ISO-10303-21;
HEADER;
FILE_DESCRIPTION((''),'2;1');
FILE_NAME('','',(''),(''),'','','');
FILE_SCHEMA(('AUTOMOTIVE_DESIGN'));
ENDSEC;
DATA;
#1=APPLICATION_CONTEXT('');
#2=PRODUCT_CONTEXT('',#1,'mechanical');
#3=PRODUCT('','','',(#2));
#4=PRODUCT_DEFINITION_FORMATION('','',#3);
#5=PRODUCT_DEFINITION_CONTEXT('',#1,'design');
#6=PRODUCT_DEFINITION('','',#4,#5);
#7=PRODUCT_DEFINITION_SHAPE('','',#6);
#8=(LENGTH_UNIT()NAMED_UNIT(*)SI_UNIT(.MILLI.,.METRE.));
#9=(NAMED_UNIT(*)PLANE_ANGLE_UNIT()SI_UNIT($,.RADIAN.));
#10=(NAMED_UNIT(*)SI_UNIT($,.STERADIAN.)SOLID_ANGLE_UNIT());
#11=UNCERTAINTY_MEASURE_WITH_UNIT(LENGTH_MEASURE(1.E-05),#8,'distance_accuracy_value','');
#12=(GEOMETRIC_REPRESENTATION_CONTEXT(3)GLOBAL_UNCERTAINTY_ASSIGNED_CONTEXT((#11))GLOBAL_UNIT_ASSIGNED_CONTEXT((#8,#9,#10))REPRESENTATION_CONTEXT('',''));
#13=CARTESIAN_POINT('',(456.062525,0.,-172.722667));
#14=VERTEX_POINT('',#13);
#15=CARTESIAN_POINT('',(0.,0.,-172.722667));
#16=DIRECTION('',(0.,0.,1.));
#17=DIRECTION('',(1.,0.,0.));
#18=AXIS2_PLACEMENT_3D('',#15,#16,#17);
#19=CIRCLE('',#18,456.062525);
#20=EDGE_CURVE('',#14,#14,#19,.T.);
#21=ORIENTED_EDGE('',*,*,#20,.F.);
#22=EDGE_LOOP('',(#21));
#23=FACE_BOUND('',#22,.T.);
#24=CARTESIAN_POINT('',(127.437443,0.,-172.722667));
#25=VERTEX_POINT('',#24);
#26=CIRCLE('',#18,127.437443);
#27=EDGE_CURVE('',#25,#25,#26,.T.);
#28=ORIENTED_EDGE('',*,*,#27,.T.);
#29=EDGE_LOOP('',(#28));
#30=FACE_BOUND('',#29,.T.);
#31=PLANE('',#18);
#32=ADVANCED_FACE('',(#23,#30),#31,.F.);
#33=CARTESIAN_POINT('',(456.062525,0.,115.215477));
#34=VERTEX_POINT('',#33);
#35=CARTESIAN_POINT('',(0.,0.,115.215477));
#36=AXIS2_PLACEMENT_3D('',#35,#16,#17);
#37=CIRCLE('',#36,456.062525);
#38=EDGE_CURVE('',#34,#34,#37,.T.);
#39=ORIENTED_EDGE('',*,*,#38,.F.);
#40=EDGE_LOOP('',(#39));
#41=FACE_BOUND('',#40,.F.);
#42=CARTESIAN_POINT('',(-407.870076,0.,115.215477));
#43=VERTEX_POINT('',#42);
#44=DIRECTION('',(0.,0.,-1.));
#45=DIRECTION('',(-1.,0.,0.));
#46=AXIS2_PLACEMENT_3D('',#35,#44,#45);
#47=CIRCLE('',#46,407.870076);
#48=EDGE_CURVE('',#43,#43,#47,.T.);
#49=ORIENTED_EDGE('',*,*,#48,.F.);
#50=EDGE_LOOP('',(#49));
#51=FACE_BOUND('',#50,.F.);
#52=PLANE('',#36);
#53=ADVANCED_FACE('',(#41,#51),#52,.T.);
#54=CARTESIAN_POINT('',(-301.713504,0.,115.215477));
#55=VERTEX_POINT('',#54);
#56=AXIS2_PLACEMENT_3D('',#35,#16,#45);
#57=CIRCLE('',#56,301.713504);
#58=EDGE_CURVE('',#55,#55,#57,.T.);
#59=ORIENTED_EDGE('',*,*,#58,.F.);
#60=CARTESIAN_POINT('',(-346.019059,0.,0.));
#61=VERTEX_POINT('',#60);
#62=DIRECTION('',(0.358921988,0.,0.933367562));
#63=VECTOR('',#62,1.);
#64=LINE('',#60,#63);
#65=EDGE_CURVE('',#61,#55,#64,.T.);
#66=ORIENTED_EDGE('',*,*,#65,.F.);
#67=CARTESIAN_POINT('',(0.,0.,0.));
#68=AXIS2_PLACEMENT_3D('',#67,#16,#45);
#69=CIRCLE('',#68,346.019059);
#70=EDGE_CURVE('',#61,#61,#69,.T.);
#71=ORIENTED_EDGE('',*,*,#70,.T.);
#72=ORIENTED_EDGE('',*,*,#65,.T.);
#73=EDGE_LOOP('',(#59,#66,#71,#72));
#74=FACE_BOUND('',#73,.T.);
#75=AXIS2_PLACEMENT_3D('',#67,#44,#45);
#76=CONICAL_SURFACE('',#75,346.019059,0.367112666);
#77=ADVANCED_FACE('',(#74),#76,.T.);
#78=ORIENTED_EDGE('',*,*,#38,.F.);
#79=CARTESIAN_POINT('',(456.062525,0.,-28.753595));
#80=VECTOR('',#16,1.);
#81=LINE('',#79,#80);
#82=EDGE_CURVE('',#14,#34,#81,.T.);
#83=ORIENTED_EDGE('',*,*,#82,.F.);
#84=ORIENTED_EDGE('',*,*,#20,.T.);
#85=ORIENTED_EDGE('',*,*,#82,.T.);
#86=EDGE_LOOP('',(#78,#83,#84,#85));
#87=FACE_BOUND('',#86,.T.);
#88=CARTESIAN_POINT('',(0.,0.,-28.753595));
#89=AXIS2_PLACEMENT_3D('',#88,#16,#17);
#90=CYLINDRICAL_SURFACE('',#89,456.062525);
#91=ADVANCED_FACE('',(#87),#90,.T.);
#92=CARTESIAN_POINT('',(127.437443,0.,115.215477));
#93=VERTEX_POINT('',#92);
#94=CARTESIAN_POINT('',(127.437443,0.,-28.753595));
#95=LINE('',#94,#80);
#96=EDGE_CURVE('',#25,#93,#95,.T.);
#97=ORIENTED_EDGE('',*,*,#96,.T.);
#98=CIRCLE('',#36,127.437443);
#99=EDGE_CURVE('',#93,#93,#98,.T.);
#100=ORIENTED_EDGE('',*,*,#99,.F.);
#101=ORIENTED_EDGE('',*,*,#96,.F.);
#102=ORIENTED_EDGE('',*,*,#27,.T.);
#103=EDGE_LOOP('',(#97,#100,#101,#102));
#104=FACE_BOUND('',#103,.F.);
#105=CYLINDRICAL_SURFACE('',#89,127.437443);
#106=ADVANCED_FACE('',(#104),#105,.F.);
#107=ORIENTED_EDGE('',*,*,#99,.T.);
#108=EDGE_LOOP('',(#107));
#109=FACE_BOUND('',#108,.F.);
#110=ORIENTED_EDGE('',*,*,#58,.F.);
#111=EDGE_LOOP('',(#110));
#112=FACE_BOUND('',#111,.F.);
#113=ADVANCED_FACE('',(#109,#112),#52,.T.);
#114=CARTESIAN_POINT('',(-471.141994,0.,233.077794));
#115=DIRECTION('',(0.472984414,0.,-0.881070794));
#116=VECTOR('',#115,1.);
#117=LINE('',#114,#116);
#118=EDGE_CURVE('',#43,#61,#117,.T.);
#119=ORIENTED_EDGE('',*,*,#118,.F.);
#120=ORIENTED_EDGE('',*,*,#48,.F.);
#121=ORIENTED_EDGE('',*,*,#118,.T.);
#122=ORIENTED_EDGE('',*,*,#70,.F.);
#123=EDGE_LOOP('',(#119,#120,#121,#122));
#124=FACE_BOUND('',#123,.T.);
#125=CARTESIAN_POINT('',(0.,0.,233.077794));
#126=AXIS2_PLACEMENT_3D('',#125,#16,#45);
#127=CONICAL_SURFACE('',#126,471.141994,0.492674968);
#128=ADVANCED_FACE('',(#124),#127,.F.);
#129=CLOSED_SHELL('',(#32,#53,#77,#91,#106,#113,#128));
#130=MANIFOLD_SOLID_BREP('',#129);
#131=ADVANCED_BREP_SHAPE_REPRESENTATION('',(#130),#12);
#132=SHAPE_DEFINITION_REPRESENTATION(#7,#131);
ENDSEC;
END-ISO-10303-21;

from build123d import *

# Parameters (mm, degrees)
F0_W = 328.625083
F0_H = 287.938144


with BuildPart() as f1:
    # F0 (on Front) → F1 (revolve)
    with BuildSketch(Plane.XZ):
        with Locations((291.749984, -28.753595)):
            Rectangle(F0_W, F0_H)
    revolve(axis=Axis((0, 0, 98.294653), (0, 0, 1)))

    # F2 (on Front) → F3 (revolve, cut)
    with BuildSketch(Plane.XZ):
        Polygon((-256.390119, 233.077794), (-471.141994, 233.077794), (-346.019059, 0), align=None)
    revolve(axis=Axis((0, 0, 98.294653), (0, 0, 1)), mode=Mode.SUBTRACT)


solid = f1.part
